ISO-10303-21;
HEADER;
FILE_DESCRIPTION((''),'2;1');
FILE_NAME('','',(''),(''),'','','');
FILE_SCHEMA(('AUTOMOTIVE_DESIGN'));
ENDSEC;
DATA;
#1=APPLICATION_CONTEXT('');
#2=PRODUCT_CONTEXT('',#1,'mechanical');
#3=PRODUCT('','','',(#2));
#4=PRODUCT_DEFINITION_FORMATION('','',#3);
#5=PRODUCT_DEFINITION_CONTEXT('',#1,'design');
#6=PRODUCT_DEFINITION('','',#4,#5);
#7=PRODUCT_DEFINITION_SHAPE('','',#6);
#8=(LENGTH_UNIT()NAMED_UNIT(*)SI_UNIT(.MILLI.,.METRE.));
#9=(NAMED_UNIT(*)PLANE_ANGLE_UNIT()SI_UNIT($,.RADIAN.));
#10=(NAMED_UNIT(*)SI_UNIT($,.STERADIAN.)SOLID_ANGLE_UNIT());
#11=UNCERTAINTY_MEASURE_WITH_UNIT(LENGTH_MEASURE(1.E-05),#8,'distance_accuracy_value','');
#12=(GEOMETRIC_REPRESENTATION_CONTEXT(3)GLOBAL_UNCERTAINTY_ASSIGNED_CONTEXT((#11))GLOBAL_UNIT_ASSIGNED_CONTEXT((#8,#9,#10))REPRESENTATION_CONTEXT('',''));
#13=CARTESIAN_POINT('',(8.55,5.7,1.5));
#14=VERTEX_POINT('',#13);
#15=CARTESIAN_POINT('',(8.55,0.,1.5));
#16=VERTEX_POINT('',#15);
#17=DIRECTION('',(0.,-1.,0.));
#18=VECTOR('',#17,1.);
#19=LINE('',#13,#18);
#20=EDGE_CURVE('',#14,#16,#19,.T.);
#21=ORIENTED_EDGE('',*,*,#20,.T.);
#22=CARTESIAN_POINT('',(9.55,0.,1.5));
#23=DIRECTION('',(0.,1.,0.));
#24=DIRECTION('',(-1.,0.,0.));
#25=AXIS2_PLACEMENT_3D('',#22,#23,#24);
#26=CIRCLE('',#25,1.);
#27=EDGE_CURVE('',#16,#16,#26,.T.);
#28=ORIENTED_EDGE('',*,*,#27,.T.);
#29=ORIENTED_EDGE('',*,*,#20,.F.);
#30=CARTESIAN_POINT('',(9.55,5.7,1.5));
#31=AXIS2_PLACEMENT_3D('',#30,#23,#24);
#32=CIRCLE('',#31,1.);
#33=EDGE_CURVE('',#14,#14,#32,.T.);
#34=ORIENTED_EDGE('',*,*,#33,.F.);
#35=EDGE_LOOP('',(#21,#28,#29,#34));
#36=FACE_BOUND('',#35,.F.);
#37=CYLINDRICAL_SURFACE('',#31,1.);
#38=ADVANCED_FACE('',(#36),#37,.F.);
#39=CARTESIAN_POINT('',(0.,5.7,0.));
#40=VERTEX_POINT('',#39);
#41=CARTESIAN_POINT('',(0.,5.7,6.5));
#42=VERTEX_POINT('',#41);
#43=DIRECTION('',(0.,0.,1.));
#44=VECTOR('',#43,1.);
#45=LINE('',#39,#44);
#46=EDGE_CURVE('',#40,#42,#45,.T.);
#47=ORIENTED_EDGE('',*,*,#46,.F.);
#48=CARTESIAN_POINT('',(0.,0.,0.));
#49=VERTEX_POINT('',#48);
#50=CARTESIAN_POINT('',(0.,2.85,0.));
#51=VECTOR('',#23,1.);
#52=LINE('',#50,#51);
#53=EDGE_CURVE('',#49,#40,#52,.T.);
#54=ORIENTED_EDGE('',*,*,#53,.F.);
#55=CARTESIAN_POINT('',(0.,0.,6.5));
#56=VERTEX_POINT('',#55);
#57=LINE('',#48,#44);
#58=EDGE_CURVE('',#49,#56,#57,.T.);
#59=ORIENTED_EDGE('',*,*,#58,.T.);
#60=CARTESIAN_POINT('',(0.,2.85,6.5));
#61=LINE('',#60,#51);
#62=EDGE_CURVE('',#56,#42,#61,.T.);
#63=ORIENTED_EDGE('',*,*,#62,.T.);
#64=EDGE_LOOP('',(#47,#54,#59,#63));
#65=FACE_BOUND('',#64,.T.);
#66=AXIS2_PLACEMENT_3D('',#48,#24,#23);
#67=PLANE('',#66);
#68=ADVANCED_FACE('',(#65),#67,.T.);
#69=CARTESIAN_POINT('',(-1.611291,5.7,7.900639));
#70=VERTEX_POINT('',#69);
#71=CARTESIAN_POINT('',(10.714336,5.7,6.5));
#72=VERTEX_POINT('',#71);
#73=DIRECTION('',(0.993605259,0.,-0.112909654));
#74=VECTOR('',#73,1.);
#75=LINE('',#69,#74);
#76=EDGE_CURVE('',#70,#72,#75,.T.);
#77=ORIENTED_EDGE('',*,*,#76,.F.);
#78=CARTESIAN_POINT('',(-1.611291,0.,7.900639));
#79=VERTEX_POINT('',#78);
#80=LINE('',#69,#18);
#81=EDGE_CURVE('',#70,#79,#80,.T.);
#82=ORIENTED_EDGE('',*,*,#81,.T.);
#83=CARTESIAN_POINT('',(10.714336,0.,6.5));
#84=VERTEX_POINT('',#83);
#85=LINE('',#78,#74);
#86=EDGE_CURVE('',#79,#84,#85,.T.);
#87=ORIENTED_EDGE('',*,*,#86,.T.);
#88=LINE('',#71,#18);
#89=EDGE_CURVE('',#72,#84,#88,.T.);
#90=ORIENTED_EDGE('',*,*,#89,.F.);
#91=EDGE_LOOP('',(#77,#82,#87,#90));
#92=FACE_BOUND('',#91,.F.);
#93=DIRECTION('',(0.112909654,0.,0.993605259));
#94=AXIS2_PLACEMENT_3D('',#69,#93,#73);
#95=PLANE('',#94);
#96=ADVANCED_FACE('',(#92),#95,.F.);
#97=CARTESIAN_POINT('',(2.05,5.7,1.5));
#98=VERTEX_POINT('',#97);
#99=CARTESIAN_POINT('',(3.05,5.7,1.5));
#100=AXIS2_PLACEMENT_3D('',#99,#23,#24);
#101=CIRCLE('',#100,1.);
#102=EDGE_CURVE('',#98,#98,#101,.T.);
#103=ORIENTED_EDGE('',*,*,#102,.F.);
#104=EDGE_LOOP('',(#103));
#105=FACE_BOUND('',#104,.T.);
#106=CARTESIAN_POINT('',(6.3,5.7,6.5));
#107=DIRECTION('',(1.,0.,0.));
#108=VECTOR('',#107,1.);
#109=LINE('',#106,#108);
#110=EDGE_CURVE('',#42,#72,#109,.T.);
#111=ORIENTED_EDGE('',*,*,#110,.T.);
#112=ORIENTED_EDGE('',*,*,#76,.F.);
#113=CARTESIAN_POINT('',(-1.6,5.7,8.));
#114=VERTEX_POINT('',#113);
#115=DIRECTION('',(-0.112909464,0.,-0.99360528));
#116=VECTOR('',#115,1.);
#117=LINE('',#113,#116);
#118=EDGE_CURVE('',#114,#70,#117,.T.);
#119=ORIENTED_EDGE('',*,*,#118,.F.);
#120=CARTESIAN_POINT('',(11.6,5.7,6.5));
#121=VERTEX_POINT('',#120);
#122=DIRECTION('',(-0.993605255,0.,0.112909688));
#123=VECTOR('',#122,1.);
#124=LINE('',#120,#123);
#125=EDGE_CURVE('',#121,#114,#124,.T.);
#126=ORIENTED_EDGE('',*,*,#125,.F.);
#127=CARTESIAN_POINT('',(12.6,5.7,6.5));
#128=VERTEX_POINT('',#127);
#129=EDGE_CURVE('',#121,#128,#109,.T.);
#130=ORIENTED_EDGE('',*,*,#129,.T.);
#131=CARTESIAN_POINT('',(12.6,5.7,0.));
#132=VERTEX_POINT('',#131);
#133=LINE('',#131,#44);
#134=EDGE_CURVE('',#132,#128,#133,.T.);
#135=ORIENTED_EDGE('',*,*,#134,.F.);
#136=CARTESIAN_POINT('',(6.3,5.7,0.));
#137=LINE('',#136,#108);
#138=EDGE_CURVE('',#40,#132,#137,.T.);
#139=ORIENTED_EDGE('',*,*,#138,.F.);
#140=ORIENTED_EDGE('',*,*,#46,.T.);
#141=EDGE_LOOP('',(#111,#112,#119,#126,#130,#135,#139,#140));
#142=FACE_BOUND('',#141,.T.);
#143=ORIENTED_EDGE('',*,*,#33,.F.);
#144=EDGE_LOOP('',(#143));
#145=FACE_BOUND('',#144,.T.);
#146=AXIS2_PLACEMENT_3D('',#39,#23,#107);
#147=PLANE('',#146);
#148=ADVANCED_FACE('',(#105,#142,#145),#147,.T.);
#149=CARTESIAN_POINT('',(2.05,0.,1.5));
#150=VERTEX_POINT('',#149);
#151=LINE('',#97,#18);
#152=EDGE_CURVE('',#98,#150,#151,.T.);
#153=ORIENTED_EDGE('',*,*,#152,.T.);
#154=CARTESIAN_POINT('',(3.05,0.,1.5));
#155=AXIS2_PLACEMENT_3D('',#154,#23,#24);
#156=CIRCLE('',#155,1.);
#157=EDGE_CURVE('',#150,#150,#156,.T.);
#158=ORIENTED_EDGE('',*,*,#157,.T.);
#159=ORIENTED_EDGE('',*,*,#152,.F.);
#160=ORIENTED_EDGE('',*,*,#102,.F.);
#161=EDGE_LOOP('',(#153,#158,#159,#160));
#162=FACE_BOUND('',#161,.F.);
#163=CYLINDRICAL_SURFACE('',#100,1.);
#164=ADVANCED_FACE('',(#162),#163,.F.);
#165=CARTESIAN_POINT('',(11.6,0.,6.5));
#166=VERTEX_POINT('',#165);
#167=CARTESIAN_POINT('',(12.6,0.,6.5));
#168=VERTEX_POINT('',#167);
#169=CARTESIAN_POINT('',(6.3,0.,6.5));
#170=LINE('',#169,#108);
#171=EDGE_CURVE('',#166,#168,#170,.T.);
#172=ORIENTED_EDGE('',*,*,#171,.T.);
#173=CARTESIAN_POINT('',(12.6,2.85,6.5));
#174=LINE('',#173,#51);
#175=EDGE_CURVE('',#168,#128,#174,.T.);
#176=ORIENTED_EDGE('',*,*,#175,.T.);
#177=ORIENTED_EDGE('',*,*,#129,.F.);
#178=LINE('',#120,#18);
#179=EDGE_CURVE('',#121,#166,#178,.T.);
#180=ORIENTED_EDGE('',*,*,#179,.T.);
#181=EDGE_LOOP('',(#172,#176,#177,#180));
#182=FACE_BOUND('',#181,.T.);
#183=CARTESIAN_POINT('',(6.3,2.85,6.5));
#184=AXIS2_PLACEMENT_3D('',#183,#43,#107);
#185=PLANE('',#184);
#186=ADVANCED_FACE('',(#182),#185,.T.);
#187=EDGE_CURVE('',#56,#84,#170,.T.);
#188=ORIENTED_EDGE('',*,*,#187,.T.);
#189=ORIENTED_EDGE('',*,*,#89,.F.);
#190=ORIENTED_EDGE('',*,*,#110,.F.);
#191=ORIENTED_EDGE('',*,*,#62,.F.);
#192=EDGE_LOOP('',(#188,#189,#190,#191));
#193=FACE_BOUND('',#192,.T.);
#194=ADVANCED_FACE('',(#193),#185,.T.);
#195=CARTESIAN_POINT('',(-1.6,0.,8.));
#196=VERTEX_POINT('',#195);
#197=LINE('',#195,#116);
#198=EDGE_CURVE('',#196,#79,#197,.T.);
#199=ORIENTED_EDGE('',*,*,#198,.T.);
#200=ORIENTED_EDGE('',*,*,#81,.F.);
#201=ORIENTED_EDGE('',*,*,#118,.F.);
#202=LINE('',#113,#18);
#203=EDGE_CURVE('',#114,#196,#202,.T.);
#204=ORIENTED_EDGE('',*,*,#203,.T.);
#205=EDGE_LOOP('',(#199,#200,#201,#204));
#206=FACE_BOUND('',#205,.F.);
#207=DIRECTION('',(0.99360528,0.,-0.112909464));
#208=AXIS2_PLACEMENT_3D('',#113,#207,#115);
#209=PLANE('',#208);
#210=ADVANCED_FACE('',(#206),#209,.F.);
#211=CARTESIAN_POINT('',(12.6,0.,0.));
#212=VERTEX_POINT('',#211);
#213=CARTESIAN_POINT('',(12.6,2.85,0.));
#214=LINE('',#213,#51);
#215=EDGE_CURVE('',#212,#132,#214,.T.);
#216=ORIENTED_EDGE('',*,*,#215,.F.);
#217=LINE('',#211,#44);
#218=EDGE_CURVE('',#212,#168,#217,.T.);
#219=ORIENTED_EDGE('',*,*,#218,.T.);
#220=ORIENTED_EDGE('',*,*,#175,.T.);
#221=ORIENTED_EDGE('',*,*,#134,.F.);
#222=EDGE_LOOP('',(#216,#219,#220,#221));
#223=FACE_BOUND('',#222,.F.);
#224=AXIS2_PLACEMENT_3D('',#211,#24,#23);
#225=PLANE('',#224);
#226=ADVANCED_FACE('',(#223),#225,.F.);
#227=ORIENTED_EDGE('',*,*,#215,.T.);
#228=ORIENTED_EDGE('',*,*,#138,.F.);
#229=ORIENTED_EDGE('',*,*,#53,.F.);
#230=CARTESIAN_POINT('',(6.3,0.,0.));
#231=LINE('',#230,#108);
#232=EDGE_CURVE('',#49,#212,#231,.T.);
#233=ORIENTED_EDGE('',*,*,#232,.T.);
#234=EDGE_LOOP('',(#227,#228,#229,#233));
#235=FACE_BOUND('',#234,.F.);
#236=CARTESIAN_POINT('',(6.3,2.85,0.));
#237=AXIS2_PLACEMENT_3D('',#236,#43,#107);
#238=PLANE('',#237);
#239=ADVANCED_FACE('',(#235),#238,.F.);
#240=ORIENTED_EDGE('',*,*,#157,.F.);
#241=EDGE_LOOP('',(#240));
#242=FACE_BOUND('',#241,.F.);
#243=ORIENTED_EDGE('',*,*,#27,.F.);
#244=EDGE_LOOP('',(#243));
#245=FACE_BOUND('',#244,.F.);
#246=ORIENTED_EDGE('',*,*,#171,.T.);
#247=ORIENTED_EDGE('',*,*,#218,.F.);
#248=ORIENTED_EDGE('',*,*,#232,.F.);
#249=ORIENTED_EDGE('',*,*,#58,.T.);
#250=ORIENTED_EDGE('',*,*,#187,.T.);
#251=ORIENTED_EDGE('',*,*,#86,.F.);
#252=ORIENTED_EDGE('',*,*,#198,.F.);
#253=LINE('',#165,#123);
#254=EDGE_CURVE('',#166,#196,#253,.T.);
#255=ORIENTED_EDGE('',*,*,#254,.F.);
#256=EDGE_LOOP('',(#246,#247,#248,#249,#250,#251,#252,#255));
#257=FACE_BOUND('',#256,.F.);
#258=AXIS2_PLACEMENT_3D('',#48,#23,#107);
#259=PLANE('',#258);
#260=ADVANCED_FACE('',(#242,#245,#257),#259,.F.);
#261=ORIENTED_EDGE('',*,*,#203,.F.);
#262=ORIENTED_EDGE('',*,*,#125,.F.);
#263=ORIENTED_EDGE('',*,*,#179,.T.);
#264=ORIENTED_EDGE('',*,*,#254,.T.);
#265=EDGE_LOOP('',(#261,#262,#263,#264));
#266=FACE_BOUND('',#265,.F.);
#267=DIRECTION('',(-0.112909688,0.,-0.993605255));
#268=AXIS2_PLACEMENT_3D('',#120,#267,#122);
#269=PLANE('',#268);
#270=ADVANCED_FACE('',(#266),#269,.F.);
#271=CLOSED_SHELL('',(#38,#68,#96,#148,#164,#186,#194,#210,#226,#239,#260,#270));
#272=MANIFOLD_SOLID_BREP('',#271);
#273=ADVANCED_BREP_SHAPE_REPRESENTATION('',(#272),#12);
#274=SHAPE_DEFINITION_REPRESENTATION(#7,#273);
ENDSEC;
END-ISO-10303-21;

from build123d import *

# Parameters (mm, degrees)
SKETCH029_W     = 12.6
SKETCH029_H     = 5.7
PAD009_DEPTH    = 6.5
SKETCH030_R     = 1
POCKET025_DEPTH = 5.701
PAD010_DEPTH    = 5.7


with BuildPart() as part:
    # Sketch029 → Pad009 (new body)
    with BuildSketch(Plane.XY):
        with Locations((6.3, 2.85)):
            Rectangle(SKETCH029_W, SKETCH029_H)
    extrude(amount=PAD009_DEPTH)

    # Sketch030 (on Face1 of Pad009) → Pocket025 (cut, through all)
    with BuildSketch(Plane(origin=(0, 5.7, 0), x_dir=(-1, 0, 0), z_dir=(0, 1, 0))):
        with Locations((-9.55, 1.5)):
            Circle(SKETCH030_R)
        with Locations((-3.05, 1.5)):
            Circle(SKETCH030_R)
    extrude(amount=-POCKET025_DEPTH, mode=Mode.SUBTRACT)

    # Sketch031 (on Face1 of Pocket025) → Pad010 (join)
    with BuildSketch(Plane(origin=(0, 5.7, 0), x_dir=(-1, 0, 0), z_dir=(0, 1, 0))):
        Polygon((-11.6, 6.5), (1.6, 8), (1.611291, 7.900639), (-10.714336, 6.5), align=None)
    extrude(amount=-PAD010_DEPTH)


solid = part.part
